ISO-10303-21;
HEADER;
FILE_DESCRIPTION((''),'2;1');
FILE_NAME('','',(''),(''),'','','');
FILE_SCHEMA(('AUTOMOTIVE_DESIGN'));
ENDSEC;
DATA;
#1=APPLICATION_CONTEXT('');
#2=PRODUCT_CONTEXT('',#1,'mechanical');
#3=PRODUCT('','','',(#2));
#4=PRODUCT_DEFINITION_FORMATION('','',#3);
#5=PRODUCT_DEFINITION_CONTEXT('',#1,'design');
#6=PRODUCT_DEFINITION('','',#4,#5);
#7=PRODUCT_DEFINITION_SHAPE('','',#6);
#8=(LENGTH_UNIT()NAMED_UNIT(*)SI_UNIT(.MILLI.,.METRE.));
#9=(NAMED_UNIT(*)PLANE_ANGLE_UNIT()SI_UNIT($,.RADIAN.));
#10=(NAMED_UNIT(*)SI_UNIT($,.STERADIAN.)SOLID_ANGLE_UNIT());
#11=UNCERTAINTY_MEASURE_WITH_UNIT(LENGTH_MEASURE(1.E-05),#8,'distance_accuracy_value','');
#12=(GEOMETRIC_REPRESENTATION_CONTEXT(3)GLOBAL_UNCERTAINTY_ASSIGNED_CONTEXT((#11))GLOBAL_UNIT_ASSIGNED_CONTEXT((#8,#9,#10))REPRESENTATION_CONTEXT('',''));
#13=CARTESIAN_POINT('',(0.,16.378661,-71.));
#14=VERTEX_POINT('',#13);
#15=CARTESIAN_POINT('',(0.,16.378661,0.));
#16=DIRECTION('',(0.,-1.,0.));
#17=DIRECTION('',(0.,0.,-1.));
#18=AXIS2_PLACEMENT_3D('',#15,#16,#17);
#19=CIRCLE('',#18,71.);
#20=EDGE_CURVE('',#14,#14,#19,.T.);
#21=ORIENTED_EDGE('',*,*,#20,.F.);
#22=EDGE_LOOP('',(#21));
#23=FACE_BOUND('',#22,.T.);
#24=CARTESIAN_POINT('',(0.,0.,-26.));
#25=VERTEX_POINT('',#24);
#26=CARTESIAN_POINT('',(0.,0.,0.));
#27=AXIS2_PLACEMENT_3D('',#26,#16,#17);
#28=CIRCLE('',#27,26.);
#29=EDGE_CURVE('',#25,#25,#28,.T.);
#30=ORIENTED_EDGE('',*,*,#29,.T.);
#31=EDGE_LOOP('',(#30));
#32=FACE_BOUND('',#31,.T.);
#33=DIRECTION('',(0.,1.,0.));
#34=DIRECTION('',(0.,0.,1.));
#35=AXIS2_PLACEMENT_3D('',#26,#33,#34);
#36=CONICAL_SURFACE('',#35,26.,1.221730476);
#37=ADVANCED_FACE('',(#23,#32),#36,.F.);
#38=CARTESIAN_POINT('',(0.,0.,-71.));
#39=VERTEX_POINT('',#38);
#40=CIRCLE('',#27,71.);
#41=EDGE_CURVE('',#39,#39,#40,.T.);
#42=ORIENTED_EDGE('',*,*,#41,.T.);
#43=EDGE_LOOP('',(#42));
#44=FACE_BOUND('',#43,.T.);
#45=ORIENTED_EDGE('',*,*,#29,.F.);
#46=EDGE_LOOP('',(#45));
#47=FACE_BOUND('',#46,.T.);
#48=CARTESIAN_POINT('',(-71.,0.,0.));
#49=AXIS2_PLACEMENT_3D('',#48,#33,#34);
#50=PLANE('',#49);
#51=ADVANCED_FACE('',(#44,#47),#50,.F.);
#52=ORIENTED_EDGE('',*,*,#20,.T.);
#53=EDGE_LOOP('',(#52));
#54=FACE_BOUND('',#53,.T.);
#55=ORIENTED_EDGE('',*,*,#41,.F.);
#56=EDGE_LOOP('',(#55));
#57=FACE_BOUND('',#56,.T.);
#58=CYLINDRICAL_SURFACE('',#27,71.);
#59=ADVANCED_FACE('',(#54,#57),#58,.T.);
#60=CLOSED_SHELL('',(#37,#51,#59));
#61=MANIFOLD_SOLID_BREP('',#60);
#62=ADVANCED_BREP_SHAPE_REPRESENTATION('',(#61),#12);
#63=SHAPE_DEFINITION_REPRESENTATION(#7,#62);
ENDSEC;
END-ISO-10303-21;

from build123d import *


with BuildPart() as part:
    # Schizzo1 → Rivoluzione1 (revolve)
    with BuildSketch(Plane.XY, mode=Mode.PRIVATE) as rivoluzione1_sk:
        Polygon((-71, 16.378660542), (-71, 0), (-26, 0), align=None)
    revolve(rivoluzione1_sk.sketch.rotate(Axis((0, 0, 0), (0, 1, 0)), 270), axis=Axis((0, 0, 0), (0, 1, 0)))


solid = part.part
